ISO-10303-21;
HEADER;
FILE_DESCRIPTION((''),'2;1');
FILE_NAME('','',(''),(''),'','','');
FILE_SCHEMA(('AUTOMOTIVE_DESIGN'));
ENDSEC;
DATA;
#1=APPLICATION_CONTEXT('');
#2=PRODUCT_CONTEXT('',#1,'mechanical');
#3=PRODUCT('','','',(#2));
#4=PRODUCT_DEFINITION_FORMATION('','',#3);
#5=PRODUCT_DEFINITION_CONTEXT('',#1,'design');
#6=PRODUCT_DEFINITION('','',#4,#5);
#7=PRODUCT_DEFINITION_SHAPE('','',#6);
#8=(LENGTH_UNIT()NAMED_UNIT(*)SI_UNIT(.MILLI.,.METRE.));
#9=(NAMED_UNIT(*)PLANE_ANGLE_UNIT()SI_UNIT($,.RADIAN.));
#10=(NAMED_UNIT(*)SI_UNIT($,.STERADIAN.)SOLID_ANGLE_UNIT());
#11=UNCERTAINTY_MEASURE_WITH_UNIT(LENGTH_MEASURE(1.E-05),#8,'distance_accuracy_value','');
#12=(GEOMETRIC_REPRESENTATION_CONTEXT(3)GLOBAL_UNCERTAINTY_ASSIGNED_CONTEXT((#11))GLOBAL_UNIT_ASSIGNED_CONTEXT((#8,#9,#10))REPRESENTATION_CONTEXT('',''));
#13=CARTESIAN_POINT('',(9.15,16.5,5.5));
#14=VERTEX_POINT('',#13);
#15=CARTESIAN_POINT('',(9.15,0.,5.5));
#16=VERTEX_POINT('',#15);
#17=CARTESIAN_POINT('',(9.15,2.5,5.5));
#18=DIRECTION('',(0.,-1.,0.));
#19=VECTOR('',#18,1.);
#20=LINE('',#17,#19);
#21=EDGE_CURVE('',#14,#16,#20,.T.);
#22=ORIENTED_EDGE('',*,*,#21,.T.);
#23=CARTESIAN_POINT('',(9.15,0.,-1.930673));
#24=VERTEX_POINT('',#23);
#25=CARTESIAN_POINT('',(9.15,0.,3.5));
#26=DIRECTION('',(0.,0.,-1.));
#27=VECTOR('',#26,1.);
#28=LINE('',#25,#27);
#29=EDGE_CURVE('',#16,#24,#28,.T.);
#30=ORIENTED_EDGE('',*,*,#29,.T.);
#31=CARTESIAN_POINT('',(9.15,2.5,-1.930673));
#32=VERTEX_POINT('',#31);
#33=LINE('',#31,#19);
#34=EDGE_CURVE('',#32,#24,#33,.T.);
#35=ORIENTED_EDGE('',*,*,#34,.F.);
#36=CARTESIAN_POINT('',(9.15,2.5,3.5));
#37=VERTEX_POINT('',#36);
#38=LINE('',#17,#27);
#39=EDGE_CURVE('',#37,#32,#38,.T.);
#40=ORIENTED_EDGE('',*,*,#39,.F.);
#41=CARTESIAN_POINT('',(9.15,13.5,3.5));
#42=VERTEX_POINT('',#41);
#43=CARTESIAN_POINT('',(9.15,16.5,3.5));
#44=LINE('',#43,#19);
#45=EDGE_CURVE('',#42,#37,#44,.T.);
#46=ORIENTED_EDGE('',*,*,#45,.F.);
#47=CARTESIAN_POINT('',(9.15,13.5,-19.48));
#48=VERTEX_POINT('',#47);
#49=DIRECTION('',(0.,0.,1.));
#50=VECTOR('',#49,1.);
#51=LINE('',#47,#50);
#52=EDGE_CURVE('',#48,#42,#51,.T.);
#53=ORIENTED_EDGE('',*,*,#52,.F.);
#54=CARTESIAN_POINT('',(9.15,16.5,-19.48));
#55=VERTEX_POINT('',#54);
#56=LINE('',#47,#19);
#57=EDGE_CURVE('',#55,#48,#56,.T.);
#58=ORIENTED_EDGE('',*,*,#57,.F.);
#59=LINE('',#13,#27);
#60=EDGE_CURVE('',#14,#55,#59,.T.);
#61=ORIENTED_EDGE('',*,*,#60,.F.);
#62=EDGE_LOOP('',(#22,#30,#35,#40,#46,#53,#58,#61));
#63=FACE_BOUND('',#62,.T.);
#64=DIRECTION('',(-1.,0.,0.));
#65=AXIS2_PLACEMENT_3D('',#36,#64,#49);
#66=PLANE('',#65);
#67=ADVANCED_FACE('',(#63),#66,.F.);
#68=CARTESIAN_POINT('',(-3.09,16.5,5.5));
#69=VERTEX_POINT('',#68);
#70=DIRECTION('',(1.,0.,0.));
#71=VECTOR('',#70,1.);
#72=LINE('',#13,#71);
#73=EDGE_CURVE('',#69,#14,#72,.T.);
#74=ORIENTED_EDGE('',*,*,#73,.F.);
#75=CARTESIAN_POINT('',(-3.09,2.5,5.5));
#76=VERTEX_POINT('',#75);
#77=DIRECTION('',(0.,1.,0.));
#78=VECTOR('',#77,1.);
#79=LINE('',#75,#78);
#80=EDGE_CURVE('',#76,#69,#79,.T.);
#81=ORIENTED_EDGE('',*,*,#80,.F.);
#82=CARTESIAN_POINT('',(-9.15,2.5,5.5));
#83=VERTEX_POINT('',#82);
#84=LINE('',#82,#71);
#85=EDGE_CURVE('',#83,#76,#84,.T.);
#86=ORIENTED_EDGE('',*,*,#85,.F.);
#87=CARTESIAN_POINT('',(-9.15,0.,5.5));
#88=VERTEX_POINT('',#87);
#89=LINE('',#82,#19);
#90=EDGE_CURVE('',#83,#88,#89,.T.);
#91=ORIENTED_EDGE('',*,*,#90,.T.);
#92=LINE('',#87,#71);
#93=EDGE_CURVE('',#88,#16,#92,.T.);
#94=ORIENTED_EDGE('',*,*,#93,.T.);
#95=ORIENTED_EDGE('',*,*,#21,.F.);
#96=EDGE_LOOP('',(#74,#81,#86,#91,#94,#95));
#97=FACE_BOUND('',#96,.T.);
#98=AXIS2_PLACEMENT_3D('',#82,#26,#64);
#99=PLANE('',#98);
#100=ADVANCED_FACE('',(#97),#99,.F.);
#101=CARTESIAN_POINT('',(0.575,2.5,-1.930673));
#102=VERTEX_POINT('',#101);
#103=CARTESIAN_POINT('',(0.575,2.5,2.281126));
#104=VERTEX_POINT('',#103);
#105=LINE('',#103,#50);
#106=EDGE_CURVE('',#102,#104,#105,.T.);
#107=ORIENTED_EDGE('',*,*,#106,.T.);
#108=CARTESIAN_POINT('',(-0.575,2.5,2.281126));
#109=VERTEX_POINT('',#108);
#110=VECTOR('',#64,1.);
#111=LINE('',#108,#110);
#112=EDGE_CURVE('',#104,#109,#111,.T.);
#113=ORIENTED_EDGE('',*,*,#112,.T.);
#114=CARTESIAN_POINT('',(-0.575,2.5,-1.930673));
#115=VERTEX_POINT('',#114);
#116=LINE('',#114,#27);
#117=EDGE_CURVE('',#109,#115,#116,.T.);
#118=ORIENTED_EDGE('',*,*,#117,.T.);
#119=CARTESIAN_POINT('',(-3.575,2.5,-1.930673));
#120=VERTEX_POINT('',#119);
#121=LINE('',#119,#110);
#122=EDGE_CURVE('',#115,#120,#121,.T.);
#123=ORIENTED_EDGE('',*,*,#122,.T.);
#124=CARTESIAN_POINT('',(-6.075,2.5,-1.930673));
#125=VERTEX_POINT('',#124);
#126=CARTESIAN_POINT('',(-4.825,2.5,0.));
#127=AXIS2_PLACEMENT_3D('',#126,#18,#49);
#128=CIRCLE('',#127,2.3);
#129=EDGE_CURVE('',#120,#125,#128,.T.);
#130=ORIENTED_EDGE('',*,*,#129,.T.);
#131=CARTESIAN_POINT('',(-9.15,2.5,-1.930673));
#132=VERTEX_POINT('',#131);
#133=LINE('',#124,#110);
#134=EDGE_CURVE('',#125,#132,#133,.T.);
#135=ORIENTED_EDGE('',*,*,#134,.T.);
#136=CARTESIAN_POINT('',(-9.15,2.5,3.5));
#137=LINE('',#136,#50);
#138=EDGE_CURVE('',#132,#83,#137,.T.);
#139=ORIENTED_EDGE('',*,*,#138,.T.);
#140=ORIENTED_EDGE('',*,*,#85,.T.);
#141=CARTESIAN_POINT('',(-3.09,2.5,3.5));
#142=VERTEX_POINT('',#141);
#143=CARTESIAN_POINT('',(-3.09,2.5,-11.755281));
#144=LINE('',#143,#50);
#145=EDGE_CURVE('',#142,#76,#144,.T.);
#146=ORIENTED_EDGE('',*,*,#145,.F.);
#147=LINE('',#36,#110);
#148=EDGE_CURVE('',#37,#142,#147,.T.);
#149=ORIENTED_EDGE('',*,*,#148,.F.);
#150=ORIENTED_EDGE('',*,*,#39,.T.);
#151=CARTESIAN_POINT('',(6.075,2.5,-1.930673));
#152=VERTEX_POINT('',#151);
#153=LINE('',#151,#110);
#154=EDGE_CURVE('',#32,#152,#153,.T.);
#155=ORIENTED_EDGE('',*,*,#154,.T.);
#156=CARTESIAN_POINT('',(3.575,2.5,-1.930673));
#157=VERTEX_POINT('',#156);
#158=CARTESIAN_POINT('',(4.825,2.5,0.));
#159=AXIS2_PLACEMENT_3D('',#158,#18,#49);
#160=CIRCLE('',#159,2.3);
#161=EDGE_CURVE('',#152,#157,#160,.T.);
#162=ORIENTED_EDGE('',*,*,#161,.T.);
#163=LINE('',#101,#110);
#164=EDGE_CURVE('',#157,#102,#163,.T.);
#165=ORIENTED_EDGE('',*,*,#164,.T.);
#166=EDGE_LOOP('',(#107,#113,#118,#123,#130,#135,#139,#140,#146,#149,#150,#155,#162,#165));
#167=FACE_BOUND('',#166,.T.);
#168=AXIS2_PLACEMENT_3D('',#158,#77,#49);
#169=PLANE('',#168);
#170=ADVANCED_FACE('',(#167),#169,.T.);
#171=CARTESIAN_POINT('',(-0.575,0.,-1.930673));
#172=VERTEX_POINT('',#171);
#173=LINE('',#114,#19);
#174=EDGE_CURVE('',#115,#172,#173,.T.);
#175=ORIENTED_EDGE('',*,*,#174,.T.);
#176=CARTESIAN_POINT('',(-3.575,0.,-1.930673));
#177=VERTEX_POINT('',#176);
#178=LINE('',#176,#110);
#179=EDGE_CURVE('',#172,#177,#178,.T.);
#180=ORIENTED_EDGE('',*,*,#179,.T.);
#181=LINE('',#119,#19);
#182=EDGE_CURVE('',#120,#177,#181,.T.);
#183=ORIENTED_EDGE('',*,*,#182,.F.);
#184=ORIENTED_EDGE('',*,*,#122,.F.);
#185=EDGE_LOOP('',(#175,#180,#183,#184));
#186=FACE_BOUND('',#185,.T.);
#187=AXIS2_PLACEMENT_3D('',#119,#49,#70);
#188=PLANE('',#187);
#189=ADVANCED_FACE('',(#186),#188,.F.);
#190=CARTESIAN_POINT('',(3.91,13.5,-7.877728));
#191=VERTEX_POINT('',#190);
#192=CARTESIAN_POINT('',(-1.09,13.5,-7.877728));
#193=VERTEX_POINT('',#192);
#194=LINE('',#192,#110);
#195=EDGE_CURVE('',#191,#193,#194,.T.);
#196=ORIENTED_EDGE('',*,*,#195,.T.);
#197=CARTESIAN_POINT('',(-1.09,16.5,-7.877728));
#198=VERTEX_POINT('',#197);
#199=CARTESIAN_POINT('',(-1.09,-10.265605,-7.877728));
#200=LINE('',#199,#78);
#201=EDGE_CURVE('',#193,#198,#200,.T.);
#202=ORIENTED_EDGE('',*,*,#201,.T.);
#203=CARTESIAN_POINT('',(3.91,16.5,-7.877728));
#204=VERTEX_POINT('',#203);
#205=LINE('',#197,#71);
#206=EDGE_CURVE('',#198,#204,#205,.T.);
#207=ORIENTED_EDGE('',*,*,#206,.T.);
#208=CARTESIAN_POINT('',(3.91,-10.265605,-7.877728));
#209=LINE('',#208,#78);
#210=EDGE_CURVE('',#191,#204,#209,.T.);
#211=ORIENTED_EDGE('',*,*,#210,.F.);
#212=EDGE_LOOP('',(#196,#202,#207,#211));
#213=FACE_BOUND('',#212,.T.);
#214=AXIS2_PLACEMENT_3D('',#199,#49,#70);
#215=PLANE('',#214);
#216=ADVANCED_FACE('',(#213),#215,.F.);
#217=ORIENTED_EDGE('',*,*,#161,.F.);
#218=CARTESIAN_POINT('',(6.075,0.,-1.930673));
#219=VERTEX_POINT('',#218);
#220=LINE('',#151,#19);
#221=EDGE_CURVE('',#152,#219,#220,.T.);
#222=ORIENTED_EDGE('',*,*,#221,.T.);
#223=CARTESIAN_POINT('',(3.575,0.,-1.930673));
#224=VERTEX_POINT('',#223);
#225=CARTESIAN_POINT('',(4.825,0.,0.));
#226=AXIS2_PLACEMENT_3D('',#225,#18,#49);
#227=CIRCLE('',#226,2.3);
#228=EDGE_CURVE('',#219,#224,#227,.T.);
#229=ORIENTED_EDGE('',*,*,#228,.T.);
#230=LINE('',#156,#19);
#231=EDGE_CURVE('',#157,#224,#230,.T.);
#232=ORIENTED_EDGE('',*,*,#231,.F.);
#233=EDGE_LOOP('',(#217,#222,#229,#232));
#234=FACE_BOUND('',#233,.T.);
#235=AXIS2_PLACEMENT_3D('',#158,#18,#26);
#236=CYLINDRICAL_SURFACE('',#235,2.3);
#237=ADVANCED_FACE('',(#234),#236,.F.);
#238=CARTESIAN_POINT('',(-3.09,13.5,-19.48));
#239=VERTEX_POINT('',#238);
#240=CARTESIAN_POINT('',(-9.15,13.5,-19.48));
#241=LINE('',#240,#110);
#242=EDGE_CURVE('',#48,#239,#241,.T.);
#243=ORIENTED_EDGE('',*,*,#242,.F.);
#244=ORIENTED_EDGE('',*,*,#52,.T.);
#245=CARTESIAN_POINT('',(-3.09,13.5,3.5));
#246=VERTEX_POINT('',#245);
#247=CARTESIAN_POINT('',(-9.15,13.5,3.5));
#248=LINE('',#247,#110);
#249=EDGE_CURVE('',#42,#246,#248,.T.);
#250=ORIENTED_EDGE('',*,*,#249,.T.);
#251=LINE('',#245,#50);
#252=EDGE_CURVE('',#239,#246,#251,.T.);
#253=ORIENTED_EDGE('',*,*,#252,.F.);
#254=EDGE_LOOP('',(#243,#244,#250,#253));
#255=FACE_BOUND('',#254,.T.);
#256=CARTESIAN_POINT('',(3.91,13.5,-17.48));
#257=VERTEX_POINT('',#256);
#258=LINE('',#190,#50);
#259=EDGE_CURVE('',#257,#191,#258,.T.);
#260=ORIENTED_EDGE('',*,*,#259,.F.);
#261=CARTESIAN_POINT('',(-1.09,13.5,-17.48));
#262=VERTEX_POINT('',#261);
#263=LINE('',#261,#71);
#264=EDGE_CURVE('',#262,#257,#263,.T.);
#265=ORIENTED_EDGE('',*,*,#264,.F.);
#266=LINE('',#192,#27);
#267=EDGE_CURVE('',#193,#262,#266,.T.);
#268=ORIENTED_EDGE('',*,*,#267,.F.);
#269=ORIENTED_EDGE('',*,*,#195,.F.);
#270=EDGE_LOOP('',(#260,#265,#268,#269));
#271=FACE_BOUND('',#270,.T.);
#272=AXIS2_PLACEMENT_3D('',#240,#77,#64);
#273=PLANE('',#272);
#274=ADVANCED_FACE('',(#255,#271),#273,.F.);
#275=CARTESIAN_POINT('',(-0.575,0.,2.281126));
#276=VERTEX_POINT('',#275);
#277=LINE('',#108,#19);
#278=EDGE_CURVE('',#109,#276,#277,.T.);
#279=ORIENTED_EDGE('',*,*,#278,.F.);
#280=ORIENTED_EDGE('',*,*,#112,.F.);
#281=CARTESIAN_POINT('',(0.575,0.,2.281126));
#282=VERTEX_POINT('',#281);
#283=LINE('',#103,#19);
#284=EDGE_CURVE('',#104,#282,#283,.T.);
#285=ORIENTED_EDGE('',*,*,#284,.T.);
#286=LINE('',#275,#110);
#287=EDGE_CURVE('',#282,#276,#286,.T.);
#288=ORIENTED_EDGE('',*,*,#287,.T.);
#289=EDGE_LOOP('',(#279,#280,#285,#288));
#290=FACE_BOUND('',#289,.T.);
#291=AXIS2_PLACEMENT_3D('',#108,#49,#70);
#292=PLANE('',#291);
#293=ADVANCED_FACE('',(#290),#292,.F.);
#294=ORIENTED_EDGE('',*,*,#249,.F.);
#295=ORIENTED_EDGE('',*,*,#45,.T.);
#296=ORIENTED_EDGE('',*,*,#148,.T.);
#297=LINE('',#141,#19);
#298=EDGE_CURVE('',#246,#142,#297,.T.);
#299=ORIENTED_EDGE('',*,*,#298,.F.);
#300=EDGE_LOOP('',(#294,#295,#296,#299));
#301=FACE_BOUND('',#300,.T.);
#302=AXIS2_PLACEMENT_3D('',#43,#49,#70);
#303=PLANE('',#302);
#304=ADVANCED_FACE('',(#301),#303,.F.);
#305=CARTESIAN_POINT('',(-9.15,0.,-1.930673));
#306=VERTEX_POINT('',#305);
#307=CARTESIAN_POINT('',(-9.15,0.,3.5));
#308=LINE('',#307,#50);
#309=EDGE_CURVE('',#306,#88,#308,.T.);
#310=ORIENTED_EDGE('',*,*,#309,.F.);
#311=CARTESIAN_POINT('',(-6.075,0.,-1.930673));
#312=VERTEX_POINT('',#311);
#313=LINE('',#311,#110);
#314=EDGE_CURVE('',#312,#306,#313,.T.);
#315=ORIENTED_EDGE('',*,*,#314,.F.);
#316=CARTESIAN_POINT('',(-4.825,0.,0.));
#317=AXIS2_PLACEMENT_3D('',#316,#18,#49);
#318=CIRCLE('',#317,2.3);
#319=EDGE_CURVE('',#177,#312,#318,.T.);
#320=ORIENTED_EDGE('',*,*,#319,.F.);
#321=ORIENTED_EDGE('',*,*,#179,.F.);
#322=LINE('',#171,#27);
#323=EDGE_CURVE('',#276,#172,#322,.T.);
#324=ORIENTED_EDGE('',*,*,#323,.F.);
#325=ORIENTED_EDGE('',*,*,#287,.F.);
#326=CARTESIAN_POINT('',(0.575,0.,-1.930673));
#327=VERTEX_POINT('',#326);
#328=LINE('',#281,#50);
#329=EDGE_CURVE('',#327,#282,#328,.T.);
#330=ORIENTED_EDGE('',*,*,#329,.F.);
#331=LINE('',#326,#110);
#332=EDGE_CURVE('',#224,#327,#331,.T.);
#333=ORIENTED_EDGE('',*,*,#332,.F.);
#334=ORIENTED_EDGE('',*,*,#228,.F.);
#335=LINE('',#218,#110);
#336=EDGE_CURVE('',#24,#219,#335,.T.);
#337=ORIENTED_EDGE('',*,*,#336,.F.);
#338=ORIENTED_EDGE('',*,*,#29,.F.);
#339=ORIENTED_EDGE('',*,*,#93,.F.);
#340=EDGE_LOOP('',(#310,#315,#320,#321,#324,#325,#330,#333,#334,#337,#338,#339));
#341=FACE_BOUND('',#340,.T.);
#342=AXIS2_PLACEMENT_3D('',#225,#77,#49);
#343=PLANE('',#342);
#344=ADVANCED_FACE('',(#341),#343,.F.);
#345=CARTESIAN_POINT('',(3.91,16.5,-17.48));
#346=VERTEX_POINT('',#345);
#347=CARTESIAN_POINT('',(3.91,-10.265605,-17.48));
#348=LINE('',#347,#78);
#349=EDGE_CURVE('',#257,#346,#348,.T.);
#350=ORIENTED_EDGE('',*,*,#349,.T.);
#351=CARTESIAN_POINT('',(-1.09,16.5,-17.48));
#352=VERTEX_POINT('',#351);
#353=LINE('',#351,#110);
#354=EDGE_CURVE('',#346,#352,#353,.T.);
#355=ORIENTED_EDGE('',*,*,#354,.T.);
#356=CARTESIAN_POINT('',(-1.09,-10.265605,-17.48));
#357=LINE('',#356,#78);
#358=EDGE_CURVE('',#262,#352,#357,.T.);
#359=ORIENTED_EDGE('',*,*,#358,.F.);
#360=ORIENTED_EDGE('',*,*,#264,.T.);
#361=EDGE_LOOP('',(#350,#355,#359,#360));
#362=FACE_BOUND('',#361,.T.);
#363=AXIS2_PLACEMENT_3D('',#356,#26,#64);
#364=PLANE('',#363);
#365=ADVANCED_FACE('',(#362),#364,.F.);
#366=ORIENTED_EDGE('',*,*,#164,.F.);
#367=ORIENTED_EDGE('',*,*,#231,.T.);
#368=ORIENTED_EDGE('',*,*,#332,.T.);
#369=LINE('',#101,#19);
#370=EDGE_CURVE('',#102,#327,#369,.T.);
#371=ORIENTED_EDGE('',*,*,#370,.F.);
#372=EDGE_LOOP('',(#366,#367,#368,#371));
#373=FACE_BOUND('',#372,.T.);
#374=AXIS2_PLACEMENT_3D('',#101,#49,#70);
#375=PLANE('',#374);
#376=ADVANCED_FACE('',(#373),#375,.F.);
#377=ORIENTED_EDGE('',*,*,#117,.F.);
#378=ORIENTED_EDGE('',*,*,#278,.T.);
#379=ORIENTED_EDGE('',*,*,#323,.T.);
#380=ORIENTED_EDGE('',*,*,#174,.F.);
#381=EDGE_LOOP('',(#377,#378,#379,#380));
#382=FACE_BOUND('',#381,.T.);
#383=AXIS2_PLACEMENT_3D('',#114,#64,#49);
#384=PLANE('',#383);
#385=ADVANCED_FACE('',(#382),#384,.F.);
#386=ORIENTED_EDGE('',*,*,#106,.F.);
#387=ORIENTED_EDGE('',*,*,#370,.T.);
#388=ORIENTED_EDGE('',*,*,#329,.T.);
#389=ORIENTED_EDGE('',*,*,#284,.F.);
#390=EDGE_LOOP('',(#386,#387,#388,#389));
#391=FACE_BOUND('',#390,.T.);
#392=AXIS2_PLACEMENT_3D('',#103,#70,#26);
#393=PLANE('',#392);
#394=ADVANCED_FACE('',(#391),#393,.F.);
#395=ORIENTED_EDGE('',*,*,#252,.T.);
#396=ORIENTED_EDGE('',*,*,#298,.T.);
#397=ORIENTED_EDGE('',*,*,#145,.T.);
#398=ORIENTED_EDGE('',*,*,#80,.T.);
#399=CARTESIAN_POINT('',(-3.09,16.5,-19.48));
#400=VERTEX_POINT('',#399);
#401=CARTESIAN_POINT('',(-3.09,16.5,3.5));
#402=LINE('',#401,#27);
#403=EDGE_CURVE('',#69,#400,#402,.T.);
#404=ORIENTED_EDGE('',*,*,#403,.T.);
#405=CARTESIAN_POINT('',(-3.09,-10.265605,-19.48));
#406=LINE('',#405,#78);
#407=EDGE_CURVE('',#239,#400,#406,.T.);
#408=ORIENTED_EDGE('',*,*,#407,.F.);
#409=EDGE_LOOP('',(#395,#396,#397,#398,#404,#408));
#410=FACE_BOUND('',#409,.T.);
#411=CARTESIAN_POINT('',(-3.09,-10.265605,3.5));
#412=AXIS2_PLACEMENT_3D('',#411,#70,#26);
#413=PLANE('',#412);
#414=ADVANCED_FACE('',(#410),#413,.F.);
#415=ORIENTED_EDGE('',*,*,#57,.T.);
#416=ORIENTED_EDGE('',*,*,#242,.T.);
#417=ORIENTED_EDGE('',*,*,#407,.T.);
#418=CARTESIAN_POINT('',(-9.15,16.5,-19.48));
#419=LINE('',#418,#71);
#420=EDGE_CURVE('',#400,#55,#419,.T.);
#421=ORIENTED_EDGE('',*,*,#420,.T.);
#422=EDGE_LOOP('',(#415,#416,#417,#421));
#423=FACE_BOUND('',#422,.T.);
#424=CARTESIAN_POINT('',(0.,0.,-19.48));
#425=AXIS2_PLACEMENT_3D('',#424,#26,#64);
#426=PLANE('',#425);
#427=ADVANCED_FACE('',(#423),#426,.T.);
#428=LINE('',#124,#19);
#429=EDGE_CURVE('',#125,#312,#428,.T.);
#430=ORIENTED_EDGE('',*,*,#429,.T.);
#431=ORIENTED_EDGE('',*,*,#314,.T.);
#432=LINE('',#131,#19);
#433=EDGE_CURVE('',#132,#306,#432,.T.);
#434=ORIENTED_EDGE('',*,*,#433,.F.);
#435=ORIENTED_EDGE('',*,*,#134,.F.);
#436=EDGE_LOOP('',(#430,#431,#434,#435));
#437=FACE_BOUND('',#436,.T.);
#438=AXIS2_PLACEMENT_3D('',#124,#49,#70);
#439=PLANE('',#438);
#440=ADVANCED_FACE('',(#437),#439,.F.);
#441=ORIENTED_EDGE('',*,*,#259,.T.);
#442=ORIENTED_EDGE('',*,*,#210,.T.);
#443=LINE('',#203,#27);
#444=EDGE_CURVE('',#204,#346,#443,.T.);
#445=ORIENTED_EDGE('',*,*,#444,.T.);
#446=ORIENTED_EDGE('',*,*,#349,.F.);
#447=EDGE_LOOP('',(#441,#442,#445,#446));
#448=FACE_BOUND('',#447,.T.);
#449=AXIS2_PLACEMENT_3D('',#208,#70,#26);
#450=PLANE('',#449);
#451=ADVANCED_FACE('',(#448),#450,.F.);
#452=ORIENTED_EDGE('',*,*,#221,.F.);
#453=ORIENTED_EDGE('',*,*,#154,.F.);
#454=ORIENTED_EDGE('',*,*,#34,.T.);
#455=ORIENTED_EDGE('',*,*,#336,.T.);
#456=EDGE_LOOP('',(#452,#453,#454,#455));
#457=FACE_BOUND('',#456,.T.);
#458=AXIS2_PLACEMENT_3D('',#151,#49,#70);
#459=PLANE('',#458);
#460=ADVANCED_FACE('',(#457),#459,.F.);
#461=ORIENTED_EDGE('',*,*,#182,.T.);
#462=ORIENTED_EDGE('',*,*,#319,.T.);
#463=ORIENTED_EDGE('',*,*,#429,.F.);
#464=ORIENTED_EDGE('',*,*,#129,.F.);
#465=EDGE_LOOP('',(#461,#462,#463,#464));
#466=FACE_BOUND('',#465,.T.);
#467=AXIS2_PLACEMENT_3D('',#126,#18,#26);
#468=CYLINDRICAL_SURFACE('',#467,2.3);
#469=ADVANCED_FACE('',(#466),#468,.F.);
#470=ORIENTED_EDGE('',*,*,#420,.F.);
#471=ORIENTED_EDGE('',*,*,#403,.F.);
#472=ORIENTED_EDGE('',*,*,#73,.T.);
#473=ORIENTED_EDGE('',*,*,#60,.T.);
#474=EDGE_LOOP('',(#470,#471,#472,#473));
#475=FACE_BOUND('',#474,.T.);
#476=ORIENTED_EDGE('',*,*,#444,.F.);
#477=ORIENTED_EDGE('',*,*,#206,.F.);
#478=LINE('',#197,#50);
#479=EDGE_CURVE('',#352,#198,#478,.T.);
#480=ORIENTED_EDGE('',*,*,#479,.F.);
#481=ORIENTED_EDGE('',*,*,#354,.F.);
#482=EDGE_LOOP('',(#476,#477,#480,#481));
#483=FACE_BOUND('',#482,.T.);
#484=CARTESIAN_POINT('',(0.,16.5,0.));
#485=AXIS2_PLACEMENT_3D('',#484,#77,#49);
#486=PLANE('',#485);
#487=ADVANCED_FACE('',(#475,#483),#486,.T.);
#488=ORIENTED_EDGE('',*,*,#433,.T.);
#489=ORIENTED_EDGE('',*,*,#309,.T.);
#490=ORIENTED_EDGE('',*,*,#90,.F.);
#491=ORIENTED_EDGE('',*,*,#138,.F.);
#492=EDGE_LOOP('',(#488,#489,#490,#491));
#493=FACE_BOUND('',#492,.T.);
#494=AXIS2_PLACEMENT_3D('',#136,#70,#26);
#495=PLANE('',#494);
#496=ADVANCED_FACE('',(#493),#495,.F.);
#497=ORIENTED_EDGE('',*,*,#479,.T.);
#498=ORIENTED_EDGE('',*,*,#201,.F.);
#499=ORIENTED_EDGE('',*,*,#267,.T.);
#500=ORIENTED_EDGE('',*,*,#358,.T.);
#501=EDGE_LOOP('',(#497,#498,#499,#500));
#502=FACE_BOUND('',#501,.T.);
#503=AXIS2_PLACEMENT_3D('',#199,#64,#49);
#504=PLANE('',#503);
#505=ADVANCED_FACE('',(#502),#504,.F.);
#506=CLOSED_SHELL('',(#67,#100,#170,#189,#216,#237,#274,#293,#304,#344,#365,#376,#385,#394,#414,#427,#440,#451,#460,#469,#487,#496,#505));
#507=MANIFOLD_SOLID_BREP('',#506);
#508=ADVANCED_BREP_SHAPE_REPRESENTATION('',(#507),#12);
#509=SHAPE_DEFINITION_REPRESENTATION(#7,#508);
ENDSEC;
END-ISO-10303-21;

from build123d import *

# Parameters (mm, degrees)
BOSS_EXTRUDE1_DEPTH = 2.5
SKETCH2_W           = 18.3
SKETCH2_H           = 2
BOSS_EXTRUDE2_DEPTH = 14
SKETCH3_W           = 18.3
SKETCH3_H           = 3
BOSS_EXTRUDE3_DEPTH = 22.98
SKETCH4_W           = 5
SKETCH4_H           = 9.60227247
SKETCH4_W_2         = 6.06
SKETCH4_H_2         = 22.98
CUT_EXTRUDE1_DEPTH  = 3
SKETCH5_W           = 6.06
SKETCH5_H           = 14
CUT_EXTRUDE2_DEPTH  = 2


with BuildPart() as part:
    # Sketch1 → Boss-Extrude1 (new body)
    with BuildSketch(Plane(origin=(0, 0, 0), x_dir=(1, 0, 0), z_dir=(0, 1, 0))):
        with BuildLine():
            Line((-9.15, -3.5), (-9.15, 1.930673458))
            Line((-9.15, 1.930673458), (-6.075, 1.930673458))
            ThreePointArc((-6.075, 1.930673458), (-4.825, -2.3), (-3.575, 1.930673458))
            Line((-3.575, 1.930673458), (-0.575, 1.930673458))
            Line((-0.575, 1.930673458), (-0.575, -2.281126238))
            Line((-0.575, -2.281126238), (0.575, -2.281126238))
            Line((0.575, -2.281126238), (0.575, 1.930673458))
            Line((0.575, 1.930673458), (3.575, 1.930673458))
            ThreePointArc((3.575, 1.930673458), (4.825, -2.3), (6.075, 1.930673458))
            Line((6.075, 1.930673458), (9.15, 1.930673458))
            Line((9.15, 1.930673458), (9.15, -3.5))
            Line((9.15, -3.5), (9.15, -5.5))
            Line((9.15, -5.5), (-9.15, -5.5))
            Line((-9.15, -5.5), (-9.15, -3.5))
        make_face()
    extrude(amount=BOSS_EXTRUDE1_DEPTH)

    # Sketch2 → Boss-Extrude2 (add)
    with BuildSketch(Plane(origin=(0, 2.5, 0), x_dir=(1, 0, 0), z_dir=(0, 1, 0))):
        with Locations((0, -4.5)):
            Rectangle(SKETCH2_W, SKETCH2_H)
    extrude(amount=BOSS_EXTRUDE2_DEPTH)

    # Sketch3 → Boss-Extrude3 (add)
    with BuildSketch(Plane(origin=(0, 0, 3.5), x_dir=(-1, 0, 0), z_dir=(0, 0, -1))):
        with Locations((0, 15)):
            Rectangle(SKETCH3_W, SKETCH3_H)
    extrude(amount=BOSS_EXTRUDE3_DEPTH)

    # Sketch4 → Cut-Extrude1 (cut)
    with BuildSketch(Plane(origin=(0, 16.5, 0), x_dir=(1, 0, 0), z_dir=(0, 1, 0))):
        with Locations((1.41, 12.678863765)):
            Rectangle(SKETCH4_W, SKETCH4_H)
        with Locations((-6.12, 7.99)):
            Rectangle(SKETCH4_W_2, SKETCH4_H_2)
    extrude(amount=-CUT_EXTRUDE1_DEPTH, mode=Mode.SUBTRACT)

    # Sketch5 → Cut-Extrude2 (cut)
    with BuildSketch(Plane.XY.offset(5.5)):
        with Locations((-6.12, 9.5)):
            Rectangle(SKETCH5_W, SKETCH5_H)
    extrude(amount=-CUT_EXTRUDE2_DEPTH, mode=Mode.SUBTRACT)


solid = part.part
